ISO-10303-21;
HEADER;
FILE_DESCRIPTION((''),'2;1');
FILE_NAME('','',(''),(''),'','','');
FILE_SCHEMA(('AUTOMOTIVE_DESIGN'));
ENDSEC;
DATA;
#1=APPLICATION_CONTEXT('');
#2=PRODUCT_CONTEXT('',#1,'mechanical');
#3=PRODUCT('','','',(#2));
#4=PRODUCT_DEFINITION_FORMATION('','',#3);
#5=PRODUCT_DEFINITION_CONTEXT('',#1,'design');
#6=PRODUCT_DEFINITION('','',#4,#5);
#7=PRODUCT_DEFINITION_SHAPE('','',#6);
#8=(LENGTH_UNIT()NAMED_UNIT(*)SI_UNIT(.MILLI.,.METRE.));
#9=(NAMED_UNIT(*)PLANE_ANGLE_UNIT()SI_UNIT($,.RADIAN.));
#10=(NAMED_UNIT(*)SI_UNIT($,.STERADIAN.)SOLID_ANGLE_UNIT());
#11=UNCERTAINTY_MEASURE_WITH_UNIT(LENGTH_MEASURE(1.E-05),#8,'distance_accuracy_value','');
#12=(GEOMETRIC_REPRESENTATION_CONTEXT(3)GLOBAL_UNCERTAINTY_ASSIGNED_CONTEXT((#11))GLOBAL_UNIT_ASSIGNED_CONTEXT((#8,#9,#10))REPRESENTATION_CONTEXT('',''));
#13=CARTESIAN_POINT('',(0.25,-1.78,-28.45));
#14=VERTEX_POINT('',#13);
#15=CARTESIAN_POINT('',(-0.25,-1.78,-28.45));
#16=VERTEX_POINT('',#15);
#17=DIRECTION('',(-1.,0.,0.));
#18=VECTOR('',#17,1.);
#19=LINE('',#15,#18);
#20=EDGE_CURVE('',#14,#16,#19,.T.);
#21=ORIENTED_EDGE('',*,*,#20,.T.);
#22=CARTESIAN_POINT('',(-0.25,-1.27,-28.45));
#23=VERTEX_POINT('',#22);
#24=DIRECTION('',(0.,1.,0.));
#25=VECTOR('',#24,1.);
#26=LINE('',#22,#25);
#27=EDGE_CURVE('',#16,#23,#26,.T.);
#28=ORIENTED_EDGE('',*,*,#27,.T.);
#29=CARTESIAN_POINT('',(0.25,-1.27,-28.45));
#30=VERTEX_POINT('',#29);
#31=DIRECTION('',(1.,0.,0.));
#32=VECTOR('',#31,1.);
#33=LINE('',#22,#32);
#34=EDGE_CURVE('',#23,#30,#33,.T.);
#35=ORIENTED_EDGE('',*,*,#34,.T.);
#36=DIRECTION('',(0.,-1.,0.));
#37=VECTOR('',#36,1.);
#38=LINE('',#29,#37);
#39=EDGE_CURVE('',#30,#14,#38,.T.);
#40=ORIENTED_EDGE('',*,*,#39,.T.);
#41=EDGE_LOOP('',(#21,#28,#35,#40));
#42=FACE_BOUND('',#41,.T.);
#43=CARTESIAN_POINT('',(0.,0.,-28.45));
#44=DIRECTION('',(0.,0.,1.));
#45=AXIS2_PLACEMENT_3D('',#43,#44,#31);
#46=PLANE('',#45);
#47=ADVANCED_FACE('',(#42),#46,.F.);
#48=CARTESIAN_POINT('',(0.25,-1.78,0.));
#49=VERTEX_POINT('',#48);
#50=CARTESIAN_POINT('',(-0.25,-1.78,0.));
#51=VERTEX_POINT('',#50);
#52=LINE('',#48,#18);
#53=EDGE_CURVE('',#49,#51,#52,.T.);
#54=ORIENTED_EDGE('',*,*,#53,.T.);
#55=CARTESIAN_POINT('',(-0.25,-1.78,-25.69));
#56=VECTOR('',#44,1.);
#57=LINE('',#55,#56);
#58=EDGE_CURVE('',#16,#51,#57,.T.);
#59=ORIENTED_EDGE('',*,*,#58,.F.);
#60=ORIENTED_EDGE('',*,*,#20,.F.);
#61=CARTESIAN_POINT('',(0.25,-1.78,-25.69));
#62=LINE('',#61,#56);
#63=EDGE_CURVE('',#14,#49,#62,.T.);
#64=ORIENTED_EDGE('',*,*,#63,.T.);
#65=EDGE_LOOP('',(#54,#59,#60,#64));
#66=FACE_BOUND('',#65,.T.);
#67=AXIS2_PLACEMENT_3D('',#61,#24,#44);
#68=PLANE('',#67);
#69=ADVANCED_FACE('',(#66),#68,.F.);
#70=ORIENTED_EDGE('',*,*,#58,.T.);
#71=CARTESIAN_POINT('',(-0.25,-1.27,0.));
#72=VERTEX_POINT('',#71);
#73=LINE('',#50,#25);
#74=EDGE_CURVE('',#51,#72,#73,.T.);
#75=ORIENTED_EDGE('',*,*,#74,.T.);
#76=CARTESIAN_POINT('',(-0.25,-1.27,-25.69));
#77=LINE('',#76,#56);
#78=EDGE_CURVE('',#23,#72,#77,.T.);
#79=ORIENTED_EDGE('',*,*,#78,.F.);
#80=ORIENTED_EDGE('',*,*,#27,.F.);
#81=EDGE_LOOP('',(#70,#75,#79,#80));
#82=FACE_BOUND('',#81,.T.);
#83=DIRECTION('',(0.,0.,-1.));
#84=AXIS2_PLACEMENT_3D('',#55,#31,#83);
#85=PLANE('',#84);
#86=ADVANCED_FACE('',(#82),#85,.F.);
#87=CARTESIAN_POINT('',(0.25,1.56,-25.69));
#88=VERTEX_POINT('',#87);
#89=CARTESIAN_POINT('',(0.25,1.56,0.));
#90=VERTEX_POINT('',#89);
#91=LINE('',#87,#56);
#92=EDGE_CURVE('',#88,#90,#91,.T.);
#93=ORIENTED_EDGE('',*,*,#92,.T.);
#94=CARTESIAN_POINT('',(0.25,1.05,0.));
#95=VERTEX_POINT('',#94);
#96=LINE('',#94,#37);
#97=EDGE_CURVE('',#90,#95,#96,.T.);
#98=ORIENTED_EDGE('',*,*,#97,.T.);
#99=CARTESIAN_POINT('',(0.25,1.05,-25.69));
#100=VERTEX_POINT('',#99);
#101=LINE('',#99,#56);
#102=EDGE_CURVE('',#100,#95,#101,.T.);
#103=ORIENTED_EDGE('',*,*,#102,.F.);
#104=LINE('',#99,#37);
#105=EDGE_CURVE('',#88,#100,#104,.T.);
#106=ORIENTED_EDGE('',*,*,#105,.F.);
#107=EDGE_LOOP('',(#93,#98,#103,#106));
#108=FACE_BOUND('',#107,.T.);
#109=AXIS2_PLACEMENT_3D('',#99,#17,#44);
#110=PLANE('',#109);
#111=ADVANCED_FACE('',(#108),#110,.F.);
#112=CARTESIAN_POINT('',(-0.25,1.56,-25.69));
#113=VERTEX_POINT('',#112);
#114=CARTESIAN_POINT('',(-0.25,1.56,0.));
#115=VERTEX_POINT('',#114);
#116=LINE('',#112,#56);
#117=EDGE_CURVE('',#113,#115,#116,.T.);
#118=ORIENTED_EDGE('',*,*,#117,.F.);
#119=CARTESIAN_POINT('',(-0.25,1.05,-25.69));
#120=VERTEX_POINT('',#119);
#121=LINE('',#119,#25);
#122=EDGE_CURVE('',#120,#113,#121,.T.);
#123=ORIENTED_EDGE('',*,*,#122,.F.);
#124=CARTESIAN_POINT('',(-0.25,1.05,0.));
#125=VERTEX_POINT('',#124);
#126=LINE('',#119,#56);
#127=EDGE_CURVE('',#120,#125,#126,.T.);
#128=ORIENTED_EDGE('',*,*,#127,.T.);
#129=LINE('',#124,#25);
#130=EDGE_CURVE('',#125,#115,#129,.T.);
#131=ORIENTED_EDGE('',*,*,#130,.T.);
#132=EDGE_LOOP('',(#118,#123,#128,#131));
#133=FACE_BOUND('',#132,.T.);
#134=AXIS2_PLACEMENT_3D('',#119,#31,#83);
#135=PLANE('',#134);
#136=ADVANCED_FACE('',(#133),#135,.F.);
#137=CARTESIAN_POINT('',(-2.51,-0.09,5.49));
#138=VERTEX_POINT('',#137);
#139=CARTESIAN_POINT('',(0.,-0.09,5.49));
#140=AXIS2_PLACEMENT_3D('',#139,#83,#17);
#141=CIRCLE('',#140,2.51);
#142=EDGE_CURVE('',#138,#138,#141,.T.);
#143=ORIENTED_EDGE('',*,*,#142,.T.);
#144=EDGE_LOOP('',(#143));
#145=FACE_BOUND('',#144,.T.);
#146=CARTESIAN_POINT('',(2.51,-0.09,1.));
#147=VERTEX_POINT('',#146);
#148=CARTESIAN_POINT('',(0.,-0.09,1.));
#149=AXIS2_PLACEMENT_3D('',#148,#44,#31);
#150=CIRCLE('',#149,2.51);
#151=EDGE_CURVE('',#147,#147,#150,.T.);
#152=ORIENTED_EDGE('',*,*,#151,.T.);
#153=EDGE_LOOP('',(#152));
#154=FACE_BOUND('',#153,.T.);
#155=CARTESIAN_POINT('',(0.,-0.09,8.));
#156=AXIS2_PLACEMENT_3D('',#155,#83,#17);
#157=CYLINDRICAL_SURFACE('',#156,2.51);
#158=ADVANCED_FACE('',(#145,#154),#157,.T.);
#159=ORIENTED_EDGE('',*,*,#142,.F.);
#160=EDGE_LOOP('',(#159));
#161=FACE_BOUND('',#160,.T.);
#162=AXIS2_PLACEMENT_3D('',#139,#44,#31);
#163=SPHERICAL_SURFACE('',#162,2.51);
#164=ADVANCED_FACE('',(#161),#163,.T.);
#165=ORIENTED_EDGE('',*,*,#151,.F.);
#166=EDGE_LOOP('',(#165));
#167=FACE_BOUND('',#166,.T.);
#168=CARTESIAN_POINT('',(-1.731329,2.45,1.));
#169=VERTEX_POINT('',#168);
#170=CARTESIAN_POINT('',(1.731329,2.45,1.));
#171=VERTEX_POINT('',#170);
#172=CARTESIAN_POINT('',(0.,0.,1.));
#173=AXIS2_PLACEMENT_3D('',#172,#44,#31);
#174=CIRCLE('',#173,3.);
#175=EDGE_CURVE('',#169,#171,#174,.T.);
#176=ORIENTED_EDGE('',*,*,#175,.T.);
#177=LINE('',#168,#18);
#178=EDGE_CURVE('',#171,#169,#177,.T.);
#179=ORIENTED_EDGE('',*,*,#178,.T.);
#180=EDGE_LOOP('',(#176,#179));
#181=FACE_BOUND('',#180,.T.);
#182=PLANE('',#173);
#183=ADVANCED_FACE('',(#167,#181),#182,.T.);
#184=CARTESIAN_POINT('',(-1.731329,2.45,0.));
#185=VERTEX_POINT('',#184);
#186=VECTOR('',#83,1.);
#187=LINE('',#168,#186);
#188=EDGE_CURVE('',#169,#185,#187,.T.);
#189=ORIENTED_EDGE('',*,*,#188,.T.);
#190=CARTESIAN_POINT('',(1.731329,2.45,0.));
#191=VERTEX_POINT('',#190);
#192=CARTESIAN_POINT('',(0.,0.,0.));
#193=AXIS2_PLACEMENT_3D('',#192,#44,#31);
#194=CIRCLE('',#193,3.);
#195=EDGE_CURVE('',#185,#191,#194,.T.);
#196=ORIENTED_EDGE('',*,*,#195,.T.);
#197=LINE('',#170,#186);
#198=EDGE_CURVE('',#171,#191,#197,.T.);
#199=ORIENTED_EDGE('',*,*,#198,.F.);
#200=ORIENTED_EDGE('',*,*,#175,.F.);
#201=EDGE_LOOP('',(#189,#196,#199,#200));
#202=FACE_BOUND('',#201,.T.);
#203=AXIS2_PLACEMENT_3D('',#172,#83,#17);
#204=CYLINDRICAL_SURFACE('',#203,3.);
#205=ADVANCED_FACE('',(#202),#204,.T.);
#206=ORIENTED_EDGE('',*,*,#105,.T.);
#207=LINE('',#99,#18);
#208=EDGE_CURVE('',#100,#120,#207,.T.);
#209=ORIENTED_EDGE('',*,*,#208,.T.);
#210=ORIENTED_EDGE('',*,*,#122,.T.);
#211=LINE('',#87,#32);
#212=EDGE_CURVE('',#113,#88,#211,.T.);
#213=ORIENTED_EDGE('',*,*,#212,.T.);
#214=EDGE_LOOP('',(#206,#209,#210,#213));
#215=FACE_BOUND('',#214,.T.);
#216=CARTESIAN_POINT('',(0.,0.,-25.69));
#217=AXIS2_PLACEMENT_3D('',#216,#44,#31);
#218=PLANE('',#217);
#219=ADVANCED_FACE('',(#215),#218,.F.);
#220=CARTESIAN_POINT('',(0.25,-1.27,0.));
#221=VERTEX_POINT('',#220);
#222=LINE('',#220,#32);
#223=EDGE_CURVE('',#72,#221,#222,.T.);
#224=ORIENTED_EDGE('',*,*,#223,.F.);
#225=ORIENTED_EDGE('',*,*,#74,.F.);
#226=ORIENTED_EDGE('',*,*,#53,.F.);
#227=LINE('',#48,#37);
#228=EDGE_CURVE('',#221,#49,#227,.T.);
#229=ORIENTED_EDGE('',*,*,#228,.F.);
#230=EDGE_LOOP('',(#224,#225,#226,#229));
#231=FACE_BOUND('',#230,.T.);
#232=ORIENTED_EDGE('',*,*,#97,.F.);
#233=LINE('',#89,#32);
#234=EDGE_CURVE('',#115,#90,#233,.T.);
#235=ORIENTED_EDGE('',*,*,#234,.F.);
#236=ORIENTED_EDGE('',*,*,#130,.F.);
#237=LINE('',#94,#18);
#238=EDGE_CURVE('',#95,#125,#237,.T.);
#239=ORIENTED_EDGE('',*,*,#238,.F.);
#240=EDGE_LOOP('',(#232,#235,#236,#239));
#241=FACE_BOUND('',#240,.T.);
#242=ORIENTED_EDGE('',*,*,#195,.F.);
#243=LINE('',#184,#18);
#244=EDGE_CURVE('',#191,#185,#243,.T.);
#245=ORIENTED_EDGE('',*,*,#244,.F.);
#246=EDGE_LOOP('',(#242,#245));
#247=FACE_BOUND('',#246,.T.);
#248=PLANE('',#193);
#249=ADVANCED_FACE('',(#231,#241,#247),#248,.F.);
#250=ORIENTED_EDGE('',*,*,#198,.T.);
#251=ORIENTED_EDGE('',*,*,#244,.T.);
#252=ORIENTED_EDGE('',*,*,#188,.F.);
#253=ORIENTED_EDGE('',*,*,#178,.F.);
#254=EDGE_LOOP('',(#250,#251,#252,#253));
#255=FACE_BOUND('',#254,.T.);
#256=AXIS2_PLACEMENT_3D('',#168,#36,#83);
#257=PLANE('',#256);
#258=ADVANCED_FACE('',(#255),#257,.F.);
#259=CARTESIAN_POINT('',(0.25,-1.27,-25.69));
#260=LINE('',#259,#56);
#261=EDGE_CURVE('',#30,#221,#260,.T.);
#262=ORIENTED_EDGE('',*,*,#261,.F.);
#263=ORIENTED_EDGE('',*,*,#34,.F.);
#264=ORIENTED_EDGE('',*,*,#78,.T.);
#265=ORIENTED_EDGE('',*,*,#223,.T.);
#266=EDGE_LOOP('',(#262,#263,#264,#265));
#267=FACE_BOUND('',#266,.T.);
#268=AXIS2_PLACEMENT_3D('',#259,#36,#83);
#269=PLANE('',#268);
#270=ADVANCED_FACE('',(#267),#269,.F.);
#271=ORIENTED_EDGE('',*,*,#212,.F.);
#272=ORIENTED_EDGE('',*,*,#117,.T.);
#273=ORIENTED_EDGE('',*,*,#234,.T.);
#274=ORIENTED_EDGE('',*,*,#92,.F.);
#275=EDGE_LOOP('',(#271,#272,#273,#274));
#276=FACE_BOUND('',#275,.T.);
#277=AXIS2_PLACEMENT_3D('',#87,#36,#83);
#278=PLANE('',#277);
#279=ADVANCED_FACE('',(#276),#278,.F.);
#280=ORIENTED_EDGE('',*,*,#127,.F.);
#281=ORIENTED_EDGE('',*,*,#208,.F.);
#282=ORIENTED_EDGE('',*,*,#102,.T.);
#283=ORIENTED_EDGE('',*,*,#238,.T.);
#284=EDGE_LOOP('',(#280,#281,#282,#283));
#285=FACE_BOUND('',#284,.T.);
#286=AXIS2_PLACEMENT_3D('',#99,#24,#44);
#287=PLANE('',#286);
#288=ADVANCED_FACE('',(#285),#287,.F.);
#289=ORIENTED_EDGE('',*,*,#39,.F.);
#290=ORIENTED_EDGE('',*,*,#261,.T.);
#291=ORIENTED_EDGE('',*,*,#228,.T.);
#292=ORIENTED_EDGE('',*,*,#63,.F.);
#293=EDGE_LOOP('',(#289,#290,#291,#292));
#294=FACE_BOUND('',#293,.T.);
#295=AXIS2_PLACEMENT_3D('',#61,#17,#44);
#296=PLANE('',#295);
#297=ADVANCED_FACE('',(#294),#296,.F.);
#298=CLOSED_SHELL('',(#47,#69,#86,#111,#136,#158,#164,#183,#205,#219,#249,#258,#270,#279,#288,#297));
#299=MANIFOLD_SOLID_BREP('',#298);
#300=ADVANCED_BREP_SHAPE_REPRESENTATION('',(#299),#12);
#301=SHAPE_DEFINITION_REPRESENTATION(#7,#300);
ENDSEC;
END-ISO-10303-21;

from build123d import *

# Parameters (mm, degrees)
BOSS_EXTRUDE2_DEPTH = 1
SKETCH2_W           = 0.5
SKETCH2_H           = 0.51
BOSS_EXTRUDE3_DEPTH = 25.69
SKETCH4_W           = 0.5
SKETCH4_H           = 0.51
BOSS_EXTRUDE4_DEPTH = 2.76
SKETCH5_R           = 2.51
BOSS_EXTRUDE5_DEPTH = 7
FILLET2_R           = 2.51


with BuildPart() as part:
    # Sketch1 → Boss-Extrude2 (new body)
    with BuildSketch(Plane.XY):
        with BuildLine():
            Line((-1.731328969, 2.45), (1.731328969, 2.45))
            ThreePointArc((1.731328969, 2.45), (0, -3), (-1.731328969, 2.45))
        make_face()
    extrude(amount=BOSS_EXTRUDE2_DEPTH)

    # Sketch2 → Boss-Extrude3 (add)
    with BuildSketch(Plane(origin=(0, 0, 0), x_dir=(-1, 0, 0), z_dir=(0, 0, -1))):
        with Locations((0, 1.305)):
            Rectangle(SKETCH2_W, SKETCH2_H)
        with Locations((0, -1.525)):
            Rectangle(SKETCH2_W, SKETCH2_H)
    extrude(amount=BOSS_EXTRUDE3_DEPTH)

    # Sketch4 → Boss-Extrude4 (add)
    with BuildSketch(Plane(origin=(0, 0, -25.69), x_dir=(-1, 0, 0), z_dir=(0, 0, -1))):
        with Locations((0, -1.525)):
            Rectangle(SKETCH4_W, SKETCH4_H)
    extrude(amount=BOSS_EXTRUDE4_DEPTH)

    # Sketch5 → Boss-Extrude5 (add)
    with BuildSketch(Plane.XY.offset(1)):
        with Locations((0, -0.09)):
            Circle(SKETCH5_R)
    extrude(amount=BOSS_EXTRUDE5_DEPTH)

    # Fillet2
    fillet2_edges = [part.edges().sort_by_distance(p)[0] for p in [
        (-2.51, -0.09, 8),
    ]]
    fillet(fillet2_edges, radius=FILLET2_R)


solid = part.part
